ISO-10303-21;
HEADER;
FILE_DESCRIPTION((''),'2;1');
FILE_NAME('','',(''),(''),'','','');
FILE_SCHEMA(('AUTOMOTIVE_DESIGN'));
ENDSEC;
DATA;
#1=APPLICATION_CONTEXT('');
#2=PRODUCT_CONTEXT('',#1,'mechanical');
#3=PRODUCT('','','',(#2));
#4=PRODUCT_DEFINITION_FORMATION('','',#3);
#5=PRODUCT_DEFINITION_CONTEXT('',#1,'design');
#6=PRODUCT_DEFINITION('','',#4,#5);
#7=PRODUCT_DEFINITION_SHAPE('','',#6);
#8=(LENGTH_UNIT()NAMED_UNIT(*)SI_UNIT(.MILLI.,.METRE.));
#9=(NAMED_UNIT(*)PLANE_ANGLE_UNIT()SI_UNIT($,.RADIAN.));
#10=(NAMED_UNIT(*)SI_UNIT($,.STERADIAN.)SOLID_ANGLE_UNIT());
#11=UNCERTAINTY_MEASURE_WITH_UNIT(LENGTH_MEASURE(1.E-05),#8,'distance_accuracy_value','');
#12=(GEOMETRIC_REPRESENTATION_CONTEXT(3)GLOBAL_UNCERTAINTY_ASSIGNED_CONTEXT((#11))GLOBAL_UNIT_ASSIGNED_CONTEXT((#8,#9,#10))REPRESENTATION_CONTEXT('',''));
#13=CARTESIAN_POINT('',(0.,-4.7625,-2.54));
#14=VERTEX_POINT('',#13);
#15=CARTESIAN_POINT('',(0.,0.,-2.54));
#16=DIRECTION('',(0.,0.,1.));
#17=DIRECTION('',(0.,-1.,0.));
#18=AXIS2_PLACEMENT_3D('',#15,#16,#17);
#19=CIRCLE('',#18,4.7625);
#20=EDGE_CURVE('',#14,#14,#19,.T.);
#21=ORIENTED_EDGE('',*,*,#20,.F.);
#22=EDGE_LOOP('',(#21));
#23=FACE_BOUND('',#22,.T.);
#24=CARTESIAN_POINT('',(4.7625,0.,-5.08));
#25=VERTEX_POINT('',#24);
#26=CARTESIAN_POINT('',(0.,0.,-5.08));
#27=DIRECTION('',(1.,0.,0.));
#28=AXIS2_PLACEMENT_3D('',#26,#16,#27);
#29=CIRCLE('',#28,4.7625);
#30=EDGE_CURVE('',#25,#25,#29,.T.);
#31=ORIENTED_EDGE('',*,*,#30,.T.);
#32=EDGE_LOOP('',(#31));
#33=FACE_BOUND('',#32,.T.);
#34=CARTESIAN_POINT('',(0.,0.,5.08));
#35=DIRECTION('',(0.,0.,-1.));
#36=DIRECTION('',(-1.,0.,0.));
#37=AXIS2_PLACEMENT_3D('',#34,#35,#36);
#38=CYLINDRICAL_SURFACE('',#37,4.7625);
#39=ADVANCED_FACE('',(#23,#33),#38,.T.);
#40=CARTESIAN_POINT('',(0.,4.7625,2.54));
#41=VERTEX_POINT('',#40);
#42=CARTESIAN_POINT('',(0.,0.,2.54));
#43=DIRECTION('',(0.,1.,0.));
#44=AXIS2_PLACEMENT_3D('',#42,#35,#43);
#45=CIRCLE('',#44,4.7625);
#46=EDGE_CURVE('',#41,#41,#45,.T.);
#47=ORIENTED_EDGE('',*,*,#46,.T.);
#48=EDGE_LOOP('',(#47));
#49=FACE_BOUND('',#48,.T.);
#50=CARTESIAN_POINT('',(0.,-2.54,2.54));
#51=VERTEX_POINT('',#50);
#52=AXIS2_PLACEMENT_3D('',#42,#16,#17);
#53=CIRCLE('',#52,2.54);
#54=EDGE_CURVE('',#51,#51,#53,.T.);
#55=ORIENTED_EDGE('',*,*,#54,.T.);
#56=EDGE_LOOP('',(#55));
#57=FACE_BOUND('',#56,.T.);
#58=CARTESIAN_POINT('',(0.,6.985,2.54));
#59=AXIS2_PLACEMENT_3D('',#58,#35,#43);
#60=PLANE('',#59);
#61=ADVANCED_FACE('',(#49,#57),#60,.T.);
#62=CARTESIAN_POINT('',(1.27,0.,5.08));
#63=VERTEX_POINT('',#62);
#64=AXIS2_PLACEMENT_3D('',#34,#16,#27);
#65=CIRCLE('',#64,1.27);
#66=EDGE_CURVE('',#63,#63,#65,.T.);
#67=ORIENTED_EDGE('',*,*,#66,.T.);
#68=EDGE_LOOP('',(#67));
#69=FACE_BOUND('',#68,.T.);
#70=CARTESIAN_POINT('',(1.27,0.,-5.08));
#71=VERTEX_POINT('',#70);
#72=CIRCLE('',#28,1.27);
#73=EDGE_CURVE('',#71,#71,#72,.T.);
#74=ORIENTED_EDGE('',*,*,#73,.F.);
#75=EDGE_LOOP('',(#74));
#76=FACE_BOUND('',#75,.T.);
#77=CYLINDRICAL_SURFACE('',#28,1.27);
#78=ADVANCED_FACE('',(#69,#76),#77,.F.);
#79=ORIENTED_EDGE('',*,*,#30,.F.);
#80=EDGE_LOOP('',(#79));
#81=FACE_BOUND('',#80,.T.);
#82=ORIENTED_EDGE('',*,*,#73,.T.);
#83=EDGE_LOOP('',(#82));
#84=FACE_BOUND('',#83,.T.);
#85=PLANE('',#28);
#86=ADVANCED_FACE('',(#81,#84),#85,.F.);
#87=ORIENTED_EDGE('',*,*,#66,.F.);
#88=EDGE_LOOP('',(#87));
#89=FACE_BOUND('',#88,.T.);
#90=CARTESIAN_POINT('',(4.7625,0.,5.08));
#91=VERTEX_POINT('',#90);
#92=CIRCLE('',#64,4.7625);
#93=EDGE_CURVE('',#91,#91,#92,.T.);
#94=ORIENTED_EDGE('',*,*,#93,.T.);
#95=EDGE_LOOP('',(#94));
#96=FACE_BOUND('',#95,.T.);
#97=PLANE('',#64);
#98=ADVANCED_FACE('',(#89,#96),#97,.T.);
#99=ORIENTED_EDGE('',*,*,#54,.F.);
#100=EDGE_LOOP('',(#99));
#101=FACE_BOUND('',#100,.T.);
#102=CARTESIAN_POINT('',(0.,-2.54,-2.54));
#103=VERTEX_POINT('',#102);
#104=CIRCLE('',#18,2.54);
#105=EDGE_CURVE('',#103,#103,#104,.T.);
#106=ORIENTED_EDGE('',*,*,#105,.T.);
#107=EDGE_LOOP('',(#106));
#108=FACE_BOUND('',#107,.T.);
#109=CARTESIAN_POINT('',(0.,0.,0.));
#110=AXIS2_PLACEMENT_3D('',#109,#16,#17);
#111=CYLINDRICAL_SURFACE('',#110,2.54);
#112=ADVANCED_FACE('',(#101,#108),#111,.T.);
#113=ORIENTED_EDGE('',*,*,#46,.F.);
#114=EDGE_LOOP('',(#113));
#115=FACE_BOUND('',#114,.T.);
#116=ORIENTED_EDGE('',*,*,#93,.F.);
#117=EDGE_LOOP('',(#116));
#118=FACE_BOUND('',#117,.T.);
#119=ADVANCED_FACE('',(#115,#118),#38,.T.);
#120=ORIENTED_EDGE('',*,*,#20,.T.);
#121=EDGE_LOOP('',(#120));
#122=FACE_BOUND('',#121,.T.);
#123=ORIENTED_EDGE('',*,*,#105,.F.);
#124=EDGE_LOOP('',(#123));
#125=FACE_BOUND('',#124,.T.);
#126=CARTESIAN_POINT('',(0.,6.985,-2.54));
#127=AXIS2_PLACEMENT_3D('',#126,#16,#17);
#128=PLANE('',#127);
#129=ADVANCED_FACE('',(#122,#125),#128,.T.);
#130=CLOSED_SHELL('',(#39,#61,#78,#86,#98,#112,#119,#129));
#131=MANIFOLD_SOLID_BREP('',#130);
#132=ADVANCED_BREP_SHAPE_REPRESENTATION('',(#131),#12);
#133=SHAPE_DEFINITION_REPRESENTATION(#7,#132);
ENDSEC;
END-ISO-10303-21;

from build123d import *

# Parameters (mm, degrees)
SKETCH1_R               = 4.7625
BOSS_EXTRUDE1_DEPTH     = 5.08
SKETCH2_W               = 5.08
SKETCH2_H               = 4.445
SKETCH3_R               = 1.27
CUT_EXTRUDE1_DEPTH      = 1
CUT_EXTRUDE1_DEPTH_BACK = 11.16


with BuildPart() as part:
    # Sketch1 → Boss-Extrude1 (new body, symmetric)
    with BuildSketch(Plane.XY):
        Circle(SKETCH1_R)
    extrude(amount=BOSS_EXTRUDE1_DEPTH, both=True)

    # Sketch2 → Cut-Revolve1 (revolve, cut)
    with BuildSketch(Plane(origin=(0, 0, 0), x_dir=(0, 0, -1), z_dir=(1, 0, 0)), mode=Mode.PRIVATE) as cut_revolve1_sk:
        with Locations((0, 4.7625)):
            Rectangle(SKETCH2_W, SKETCH2_H)
    revolve(cut_revolve1_sk.sketch.rotate(Axis((0, 0, 0), (0, 0, -1)), 180), axis=Axis((0, 0, 0), (0, 0, -1)), mode=Mode.SUBTRACT)  # turned: the seam where the file's is

    # Sketch3 → Cut-Extrude1 (cut, two sides)
    with BuildSketch(Plane.XY.offset(5.08)) as cut_extrude1_sk:
        Circle(SKETCH3_R)
    extrude(amount=CUT_EXTRUDE1_DEPTH, mode=Mode.SUBTRACT)
    extrude(cut_extrude1_sk.sketch, amount=-CUT_EXTRUDE1_DEPTH_BACK, mode=Mode.SUBTRACT)


solid = part.part
